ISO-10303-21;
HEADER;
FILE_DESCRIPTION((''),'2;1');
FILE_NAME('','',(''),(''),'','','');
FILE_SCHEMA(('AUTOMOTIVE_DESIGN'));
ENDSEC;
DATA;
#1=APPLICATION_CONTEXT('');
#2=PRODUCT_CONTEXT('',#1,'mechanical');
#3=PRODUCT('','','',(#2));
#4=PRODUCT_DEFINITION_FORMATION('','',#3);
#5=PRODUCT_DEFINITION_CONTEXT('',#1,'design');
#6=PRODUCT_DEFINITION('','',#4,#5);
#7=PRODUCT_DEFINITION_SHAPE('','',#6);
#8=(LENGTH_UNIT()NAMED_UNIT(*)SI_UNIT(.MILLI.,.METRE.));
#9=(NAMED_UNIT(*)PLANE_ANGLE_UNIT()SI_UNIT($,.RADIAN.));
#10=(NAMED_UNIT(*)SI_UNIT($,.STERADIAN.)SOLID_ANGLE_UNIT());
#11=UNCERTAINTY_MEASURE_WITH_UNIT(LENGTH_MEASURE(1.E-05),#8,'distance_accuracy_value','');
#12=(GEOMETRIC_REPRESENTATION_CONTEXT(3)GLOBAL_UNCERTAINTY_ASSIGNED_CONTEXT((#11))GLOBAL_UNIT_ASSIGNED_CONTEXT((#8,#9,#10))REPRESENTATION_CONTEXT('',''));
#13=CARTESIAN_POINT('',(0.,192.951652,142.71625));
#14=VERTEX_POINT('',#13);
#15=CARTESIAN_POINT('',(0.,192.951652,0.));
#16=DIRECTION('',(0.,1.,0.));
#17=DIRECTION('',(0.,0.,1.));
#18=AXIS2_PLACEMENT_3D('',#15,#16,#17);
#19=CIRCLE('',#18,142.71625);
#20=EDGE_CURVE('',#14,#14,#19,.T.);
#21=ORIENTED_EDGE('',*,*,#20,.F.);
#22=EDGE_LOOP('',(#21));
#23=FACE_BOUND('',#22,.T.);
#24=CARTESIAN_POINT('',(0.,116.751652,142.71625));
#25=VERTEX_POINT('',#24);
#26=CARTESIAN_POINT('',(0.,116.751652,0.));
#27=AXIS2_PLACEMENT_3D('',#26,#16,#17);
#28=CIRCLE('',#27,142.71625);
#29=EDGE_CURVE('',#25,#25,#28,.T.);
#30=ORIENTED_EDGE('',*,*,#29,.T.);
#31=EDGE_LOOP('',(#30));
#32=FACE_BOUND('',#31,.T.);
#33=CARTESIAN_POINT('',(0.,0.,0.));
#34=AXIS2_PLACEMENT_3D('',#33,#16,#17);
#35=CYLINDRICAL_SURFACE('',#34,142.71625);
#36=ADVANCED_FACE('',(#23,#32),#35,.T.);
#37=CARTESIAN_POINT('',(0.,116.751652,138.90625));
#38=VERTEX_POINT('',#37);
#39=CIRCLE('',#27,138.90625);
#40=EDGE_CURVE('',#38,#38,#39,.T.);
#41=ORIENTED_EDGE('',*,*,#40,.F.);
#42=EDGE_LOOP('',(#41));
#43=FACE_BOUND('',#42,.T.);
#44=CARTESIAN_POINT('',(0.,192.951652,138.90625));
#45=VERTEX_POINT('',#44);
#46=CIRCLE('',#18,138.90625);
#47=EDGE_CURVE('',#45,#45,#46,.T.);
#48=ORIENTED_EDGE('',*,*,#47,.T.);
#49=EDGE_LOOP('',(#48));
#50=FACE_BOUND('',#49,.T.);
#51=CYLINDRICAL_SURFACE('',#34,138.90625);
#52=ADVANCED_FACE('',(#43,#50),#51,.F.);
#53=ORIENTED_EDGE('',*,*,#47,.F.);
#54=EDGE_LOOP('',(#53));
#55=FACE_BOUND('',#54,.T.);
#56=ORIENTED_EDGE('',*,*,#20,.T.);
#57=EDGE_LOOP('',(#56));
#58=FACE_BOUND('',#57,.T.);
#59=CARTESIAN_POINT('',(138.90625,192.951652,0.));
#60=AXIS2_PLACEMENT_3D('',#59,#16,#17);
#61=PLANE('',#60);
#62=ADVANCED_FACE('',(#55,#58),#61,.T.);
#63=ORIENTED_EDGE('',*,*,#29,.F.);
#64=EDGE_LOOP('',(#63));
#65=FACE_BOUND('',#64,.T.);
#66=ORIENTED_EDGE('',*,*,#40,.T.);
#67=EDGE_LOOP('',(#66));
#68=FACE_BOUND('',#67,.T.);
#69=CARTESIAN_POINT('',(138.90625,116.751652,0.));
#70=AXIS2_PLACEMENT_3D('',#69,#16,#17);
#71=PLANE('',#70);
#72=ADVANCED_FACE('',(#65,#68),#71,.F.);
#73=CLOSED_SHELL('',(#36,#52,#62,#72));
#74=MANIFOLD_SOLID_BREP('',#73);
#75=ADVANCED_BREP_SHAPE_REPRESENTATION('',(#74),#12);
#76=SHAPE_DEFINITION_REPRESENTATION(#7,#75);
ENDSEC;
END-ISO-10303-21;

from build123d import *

# Parameters (mm, degrees)
SKETCH1_W = 3.81
SKETCH1_H = 76.2


with BuildPart() as part:
    # Sketch1 → Revolve1 (revolve)
    with BuildSketch(Plane.XY, mode=Mode.PRIVATE) as revolve1_sk:
        with Locations((140.81125, 154.851652174)):
            Rectangle(SKETCH1_W, SKETCH1_H)
    revolve(revolve1_sk.sketch.rotate(Axis((0, 0, 0), (0, -1, 0)), 90), axis=Axis((0, 0, 0), (0, -1, 0)))


solid = part.part
